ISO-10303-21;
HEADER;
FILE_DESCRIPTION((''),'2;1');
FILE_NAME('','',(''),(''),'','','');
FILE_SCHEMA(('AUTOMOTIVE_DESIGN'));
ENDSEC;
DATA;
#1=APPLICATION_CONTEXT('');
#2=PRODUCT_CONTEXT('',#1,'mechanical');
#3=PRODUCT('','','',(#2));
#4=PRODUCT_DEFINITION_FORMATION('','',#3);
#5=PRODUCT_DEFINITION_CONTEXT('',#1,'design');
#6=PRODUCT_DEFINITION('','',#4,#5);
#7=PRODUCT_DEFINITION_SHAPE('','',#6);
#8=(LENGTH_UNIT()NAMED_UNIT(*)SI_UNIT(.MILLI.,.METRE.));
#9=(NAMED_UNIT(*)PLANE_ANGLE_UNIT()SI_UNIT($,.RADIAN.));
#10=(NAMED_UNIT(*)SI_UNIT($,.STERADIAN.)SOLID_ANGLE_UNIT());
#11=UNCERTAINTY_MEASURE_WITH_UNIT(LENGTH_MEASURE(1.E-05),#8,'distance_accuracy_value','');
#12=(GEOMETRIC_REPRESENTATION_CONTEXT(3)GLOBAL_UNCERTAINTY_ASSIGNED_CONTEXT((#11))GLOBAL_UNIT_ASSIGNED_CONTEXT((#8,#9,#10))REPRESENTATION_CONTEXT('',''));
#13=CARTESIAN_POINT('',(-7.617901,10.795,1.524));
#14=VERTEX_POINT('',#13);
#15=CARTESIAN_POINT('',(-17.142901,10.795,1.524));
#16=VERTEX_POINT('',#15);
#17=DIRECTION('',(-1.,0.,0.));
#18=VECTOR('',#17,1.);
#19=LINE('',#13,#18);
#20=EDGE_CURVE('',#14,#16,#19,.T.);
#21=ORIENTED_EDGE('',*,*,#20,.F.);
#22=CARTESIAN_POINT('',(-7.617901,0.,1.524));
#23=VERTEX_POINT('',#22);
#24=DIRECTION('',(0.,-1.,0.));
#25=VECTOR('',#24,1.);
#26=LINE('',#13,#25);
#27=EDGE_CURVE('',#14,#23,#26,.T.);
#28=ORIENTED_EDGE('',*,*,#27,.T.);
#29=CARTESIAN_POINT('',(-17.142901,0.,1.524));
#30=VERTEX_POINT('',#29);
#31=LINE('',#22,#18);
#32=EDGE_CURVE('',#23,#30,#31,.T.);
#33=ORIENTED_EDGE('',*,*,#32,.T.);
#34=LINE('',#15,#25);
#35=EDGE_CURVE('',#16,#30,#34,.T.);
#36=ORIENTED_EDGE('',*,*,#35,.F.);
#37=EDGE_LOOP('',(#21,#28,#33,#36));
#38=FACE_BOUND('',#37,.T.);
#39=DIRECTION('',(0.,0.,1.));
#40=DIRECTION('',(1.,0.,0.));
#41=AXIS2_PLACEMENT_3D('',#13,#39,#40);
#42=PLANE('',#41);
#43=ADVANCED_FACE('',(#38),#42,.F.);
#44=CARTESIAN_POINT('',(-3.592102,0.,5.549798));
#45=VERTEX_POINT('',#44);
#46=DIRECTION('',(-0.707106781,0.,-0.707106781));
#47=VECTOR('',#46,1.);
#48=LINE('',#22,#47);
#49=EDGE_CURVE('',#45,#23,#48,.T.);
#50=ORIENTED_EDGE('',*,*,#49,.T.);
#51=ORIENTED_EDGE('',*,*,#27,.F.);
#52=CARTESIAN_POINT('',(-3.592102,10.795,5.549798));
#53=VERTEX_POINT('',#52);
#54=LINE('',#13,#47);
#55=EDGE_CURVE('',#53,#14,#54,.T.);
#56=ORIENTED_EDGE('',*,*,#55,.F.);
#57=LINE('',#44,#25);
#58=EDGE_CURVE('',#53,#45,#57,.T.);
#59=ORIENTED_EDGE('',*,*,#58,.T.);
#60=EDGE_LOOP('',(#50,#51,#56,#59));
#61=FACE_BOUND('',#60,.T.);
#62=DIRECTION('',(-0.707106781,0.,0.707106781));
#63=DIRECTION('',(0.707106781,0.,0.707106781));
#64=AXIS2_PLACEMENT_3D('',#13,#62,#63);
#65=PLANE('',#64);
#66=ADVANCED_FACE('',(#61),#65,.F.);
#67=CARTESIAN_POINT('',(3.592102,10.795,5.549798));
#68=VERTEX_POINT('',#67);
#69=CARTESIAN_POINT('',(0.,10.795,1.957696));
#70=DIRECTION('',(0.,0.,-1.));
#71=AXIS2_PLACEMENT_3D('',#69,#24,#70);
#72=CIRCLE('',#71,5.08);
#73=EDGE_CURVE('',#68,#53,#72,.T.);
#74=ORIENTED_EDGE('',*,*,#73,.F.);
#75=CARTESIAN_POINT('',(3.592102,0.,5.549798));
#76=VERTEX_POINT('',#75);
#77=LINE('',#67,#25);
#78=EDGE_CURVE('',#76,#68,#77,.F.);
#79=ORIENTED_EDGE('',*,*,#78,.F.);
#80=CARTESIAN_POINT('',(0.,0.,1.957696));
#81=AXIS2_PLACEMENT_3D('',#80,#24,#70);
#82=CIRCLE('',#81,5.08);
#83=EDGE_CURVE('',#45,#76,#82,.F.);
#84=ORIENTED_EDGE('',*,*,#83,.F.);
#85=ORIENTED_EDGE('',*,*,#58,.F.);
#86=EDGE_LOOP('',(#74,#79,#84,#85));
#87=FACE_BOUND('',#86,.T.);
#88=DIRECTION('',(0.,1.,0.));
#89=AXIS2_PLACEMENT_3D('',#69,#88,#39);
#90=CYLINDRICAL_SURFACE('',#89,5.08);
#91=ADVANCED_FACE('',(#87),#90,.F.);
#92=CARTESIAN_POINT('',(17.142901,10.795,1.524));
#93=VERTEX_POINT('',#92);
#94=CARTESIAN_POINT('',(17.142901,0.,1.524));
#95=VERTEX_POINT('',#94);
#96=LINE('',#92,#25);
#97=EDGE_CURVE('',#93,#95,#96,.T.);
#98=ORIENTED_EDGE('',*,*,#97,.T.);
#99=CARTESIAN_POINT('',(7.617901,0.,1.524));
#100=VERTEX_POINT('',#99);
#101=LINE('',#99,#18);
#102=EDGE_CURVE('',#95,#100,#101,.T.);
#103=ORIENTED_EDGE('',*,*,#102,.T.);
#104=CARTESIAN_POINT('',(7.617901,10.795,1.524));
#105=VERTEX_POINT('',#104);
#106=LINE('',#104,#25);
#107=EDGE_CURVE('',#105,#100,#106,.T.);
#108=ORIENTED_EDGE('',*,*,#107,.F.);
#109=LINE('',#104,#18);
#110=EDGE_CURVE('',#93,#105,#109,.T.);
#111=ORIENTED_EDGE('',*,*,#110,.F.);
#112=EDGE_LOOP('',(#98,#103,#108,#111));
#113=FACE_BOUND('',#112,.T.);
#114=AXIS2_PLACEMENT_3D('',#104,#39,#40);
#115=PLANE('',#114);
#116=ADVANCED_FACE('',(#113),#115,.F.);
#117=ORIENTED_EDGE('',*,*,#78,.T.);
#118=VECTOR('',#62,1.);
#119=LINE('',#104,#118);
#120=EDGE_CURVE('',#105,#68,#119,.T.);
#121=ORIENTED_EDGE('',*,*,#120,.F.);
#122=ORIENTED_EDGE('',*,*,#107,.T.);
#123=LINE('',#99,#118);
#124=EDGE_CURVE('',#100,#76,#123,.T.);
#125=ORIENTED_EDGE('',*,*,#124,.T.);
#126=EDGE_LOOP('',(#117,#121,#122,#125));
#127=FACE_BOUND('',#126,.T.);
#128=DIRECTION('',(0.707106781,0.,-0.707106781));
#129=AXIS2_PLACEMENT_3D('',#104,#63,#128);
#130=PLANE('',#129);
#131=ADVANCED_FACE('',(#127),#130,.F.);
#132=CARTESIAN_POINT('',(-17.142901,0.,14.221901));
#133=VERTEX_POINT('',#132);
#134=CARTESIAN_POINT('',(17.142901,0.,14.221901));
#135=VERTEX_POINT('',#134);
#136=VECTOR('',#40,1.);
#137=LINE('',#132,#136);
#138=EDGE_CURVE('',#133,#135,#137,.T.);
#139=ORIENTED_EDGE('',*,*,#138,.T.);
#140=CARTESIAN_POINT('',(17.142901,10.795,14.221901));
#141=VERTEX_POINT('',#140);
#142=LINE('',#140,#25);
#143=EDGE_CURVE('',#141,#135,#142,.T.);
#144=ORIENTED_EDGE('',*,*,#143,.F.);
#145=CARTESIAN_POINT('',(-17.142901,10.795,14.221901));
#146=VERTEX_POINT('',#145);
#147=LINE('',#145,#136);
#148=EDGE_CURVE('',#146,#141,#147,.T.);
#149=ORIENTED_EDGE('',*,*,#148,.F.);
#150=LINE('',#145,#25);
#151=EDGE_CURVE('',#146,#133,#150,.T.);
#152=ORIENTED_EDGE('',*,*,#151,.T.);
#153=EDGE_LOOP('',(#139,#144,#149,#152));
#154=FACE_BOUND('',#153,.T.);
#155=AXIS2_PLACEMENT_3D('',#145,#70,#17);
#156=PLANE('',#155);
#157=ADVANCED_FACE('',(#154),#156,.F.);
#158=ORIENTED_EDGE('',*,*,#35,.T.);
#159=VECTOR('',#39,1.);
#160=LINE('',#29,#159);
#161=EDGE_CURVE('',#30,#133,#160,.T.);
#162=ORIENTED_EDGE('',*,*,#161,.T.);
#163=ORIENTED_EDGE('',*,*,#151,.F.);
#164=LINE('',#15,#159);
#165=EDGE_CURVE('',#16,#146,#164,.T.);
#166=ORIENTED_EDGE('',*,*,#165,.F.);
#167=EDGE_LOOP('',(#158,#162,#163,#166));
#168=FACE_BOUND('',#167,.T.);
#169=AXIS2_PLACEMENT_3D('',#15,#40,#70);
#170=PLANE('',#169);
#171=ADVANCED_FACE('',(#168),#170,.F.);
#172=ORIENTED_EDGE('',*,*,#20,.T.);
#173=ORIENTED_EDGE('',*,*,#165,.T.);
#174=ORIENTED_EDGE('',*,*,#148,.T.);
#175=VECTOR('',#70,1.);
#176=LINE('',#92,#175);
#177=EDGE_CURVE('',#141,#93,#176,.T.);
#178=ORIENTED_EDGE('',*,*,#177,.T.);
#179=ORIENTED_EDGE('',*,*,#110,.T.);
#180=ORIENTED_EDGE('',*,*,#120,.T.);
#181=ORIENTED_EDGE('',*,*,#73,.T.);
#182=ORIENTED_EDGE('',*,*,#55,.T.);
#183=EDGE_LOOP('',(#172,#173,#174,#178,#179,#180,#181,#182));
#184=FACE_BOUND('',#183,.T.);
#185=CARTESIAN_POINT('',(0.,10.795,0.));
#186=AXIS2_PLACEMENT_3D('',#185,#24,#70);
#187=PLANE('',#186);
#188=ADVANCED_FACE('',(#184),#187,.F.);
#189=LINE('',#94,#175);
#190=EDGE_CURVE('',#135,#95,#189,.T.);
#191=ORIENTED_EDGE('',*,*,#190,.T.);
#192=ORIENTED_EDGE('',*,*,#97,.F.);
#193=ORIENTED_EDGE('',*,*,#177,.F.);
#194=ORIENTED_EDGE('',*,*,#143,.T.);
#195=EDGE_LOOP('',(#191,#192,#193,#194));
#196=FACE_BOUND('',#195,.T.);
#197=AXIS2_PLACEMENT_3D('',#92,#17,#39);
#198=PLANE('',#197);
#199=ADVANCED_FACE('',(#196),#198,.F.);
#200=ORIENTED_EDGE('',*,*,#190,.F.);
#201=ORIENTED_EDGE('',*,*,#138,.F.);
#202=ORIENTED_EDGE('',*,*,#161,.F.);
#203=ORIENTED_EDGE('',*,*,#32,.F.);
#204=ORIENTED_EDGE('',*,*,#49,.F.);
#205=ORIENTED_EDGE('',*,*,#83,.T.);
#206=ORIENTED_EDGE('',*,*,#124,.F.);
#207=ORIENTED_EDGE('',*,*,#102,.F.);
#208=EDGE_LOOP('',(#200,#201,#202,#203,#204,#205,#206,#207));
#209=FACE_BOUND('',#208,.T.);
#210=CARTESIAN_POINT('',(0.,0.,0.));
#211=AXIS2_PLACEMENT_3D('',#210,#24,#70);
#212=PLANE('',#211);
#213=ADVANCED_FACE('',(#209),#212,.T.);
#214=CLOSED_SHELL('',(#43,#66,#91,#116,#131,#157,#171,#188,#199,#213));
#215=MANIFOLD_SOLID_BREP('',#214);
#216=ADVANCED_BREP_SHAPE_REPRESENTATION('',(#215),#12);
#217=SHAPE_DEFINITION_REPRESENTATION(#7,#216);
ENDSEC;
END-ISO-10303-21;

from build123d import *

# Parameters (mm, degrees)
BOSS_EXTRUDE1_DEPTH = 10.795
FILLET1_R           = 5.08


with BuildPart() as part:
    # Sketch1 → Boss-Extrude1 (new body)
    with BuildSketch(Plane(origin=(0, 0, 0), x_dir=(1, 0, 0), z_dir=(0, 1, 0))):
        Polygon((7.617900731, -1.524), (0, -9.141900731), (-7.617900731, -1.524), (-17.142900731, -1.524), (-17.142900731, -14.221900731), (17.142900731, -14.221900731), (17.142900731, -1.524), align=None)
    extrude(amount=BOSS_EXTRUDE1_DEPTH)

    # Fillet1
    fillet1_edges = [part.edges().sort_by_distance(p)[0] for p in [
        (0, 5.3975, 9.141900731),
    ]]
    fillet(fillet1_edges, radius=FILLET1_R)


solid = part.part
